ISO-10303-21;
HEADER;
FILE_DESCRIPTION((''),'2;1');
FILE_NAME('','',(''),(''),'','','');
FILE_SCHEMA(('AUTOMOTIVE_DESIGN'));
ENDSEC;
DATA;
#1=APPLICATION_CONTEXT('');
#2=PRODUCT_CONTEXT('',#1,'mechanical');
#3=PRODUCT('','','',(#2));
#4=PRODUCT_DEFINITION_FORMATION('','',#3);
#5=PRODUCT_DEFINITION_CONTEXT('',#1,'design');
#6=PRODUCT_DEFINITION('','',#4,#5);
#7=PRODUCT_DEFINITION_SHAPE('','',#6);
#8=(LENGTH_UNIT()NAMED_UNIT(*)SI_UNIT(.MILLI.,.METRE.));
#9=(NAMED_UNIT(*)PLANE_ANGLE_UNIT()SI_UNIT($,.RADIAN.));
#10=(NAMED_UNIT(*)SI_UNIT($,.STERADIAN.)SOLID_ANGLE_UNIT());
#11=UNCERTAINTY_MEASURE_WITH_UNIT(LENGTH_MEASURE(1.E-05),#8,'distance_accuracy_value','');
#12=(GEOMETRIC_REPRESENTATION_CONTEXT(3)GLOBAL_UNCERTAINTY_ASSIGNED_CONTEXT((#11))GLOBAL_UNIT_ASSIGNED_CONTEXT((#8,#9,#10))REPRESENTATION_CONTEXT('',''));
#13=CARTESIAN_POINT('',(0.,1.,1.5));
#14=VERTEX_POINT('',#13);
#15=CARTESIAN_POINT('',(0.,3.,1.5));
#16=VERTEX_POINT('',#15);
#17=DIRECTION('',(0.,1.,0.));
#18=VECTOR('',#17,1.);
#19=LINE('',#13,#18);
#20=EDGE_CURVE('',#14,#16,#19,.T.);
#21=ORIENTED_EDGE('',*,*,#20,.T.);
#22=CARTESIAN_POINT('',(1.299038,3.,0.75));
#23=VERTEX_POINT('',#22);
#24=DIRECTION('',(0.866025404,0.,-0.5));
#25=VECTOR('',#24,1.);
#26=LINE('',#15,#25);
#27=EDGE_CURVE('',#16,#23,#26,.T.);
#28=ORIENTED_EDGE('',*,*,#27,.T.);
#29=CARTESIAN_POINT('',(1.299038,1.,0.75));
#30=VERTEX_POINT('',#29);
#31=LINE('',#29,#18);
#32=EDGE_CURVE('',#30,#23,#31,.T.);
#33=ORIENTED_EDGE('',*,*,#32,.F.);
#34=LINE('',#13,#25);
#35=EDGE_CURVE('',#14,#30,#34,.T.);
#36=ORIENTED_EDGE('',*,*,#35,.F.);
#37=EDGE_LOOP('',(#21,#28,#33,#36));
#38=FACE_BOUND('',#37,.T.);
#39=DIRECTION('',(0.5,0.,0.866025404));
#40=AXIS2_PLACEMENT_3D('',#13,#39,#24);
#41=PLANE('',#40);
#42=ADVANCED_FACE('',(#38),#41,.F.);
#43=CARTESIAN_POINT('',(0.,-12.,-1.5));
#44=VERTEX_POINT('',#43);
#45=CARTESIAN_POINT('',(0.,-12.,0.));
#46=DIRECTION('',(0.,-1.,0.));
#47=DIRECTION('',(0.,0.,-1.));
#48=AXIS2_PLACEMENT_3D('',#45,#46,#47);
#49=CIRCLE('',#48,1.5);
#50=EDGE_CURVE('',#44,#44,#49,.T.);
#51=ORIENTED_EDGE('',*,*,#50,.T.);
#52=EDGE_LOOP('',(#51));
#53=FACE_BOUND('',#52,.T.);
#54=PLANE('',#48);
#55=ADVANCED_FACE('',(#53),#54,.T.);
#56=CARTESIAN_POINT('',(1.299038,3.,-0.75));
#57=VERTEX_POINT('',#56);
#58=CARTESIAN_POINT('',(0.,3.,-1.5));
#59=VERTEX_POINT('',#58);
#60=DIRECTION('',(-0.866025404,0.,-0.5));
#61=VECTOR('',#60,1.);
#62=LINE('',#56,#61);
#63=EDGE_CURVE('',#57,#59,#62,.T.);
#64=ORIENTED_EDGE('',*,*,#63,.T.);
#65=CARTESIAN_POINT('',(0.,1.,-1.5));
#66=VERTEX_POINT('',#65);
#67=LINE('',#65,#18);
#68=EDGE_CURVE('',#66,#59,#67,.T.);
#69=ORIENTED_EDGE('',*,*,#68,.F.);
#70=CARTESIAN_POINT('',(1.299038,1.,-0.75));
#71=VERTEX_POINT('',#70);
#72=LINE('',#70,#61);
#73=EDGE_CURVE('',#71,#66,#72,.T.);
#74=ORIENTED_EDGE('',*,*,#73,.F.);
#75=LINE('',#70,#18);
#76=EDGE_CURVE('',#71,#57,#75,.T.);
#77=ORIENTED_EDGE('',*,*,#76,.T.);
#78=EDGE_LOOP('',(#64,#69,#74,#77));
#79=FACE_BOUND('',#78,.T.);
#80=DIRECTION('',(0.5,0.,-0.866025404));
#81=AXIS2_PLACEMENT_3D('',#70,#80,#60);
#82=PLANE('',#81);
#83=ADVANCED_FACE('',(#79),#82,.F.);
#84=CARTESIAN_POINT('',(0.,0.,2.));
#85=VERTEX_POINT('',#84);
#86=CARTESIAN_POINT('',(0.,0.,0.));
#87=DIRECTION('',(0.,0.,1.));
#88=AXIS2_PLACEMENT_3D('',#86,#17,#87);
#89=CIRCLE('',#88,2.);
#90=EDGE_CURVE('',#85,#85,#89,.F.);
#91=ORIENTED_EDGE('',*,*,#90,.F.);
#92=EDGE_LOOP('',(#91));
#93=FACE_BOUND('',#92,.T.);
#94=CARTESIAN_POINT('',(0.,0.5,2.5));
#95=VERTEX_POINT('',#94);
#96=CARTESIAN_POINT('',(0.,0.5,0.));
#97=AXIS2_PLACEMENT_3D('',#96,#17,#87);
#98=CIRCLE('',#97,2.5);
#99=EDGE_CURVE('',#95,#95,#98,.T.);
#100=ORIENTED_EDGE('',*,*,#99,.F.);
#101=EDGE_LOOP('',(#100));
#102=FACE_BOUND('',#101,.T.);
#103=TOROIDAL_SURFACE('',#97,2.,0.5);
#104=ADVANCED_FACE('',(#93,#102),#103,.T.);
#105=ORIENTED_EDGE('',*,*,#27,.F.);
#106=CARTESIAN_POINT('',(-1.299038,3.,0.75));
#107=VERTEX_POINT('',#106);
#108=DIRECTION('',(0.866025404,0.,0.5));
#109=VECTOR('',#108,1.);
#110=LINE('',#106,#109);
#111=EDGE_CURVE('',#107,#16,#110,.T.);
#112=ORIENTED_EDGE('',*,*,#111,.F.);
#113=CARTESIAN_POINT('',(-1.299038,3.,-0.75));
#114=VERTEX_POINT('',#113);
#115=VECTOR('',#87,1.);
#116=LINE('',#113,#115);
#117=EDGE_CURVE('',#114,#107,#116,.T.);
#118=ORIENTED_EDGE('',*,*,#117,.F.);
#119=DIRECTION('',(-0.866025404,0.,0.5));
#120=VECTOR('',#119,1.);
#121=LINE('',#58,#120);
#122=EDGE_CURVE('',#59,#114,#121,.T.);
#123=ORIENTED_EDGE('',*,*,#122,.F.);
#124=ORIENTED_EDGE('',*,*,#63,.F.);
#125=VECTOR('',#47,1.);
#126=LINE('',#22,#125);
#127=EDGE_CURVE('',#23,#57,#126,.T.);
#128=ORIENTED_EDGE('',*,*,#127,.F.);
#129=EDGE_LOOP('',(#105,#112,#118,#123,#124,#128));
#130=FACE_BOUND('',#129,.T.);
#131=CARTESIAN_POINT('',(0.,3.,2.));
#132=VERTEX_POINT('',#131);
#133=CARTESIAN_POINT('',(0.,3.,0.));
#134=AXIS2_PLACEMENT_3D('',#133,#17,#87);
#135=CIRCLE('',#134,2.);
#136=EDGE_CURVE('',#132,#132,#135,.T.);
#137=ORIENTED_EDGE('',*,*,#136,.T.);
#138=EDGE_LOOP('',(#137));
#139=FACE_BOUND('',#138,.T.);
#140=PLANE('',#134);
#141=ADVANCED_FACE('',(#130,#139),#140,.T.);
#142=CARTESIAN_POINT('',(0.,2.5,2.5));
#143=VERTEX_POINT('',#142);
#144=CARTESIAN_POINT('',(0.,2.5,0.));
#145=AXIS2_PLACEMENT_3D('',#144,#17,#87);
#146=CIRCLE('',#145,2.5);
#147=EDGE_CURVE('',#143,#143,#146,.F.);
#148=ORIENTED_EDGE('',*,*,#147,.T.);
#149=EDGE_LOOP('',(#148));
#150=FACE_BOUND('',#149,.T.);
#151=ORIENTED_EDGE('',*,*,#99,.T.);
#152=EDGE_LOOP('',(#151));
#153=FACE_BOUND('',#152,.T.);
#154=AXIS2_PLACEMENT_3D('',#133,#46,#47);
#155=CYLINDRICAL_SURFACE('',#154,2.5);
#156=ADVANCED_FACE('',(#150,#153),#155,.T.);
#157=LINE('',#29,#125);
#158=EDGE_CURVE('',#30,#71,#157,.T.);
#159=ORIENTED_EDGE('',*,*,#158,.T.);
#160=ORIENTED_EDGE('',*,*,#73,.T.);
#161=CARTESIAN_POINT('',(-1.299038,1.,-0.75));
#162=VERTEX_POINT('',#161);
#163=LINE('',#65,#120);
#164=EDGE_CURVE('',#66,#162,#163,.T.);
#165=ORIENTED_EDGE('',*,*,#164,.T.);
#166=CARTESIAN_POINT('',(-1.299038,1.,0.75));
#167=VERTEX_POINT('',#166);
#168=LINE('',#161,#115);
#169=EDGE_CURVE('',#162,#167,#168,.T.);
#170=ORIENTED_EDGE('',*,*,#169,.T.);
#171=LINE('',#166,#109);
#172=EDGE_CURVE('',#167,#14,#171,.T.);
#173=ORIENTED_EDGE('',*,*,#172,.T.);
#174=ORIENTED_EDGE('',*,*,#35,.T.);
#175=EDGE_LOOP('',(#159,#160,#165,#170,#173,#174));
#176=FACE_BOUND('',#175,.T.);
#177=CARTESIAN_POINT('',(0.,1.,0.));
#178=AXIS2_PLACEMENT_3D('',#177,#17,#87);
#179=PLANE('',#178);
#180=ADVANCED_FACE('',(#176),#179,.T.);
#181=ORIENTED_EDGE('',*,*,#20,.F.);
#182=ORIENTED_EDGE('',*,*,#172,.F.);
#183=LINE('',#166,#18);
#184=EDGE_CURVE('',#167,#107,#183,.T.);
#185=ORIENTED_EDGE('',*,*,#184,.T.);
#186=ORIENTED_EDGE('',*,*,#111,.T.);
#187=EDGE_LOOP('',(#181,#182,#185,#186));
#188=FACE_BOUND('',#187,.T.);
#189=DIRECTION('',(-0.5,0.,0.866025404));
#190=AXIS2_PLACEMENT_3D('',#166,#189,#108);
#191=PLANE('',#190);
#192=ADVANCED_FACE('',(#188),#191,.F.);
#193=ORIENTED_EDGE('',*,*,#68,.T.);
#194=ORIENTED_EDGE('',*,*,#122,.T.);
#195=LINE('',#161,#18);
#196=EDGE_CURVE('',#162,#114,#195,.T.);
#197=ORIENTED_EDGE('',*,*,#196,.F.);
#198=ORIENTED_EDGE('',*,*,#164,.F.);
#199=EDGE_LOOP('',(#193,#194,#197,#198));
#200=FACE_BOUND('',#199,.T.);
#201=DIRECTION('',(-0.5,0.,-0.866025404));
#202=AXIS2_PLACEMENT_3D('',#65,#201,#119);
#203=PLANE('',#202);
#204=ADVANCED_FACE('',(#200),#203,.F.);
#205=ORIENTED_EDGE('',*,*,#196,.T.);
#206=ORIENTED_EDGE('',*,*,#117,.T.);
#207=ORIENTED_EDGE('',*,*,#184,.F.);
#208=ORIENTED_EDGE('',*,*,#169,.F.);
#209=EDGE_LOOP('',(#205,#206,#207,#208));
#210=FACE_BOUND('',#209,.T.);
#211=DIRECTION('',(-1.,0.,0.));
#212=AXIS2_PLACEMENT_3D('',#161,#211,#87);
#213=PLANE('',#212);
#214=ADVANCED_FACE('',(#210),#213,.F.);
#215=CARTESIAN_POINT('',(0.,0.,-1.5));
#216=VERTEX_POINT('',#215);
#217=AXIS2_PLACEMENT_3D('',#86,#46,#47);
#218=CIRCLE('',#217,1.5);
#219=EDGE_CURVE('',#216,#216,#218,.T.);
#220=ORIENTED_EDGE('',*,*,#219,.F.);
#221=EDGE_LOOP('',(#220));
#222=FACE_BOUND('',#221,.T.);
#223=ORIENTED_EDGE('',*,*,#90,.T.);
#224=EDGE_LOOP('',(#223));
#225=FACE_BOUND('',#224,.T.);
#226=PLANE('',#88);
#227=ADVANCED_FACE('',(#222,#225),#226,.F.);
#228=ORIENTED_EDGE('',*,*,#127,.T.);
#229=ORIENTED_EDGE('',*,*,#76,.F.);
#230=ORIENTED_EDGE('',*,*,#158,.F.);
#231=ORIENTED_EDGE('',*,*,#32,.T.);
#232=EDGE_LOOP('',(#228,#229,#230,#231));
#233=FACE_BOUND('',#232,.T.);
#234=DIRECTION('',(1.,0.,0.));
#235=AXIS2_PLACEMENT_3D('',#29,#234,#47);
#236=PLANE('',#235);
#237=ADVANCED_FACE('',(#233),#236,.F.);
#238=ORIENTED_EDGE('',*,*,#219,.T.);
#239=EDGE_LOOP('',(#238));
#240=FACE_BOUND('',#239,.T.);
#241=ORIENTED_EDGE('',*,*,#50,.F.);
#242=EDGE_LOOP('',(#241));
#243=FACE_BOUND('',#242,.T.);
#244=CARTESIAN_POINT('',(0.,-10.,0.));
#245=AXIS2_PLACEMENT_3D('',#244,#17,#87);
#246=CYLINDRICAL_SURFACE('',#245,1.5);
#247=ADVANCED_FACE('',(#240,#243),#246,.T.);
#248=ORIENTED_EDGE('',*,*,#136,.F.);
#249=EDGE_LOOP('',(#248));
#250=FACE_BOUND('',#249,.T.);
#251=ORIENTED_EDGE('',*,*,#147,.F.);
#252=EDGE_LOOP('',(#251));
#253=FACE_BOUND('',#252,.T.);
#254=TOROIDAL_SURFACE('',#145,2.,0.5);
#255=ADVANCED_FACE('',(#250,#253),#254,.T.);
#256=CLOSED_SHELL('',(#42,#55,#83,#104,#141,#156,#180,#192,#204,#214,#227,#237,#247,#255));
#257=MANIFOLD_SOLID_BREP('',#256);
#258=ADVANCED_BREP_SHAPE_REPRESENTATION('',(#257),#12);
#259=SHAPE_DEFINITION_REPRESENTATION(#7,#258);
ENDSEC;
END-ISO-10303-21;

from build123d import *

# Parameters (mm, degrees)
SKETCH_1_R          = 2.5
EXTRUDE_1_DEPTH     = 3
CUT_EXTRUDE_1_DEPTH = 2
SKETCH_3_R          = 1.5
EXTRUDE_2_DEPTH     = 10
FILLET_1_R          = 0.5
SKETCH_4_R          = 1.5
EXTRUDE_3_DEPTH     = 2


with BuildPart() as part:
    # 草图1 → 凸台-拉伸1 (new body)
    with BuildSketch(Plane(origin=(0, 0, 0), x_dir=(1, 0, 0), z_dir=(0, 1, 0))):
        with Locations(Location((0, 0, 0), (0, 0, 270))):
            Circle(SKETCH_1_R)
    extrude(amount=EXTRUDE_1_DEPTH)

    # 草图2 → 切除-拉伸1 (cut)
    with BuildSketch(Plane(origin=(0, 3, 0), x_dir=(1, 0, 0), z_dir=(0, 1, 0))):
        Polygon((0, 1.5), (-1.299038106, 0.75), (-1.299038106, -0.75), (0, -1.5), (1.299038106, -0.75), (1.299038106, 0.75), align=None)
    extrude(amount=-CUT_EXTRUDE_1_DEPTH, mode=Mode.SUBTRACT)

    # 草图3 → 凸台-拉伸2 (add)
    with BuildSketch(Plane.XZ):
        with Locations(Location((0, 0, 0), (0, 0, 270))):
            Circle(SKETCH_3_R)
    extrude(amount=EXTRUDE_2_DEPTH)

    # 圆角1
    fillet_1_edges = [part.edges().sort_by_distance(p)[0] for p in [
        (0, 0, -2.5),
        (0, 3, -2.5),
    ]]
    fillet(fillet_1_edges, radius=FILLET_1_R)

    # 草图4 → 凸台-拉伸3 (add)
    with BuildSketch(Plane.XZ.offset(10)):
        with Locations(Location((0, 0, 0), (0, 0, 270))):
            Circle(SKETCH_4_R)
    extrude(amount=EXTRUDE_3_DEPTH)


solid = part.part
